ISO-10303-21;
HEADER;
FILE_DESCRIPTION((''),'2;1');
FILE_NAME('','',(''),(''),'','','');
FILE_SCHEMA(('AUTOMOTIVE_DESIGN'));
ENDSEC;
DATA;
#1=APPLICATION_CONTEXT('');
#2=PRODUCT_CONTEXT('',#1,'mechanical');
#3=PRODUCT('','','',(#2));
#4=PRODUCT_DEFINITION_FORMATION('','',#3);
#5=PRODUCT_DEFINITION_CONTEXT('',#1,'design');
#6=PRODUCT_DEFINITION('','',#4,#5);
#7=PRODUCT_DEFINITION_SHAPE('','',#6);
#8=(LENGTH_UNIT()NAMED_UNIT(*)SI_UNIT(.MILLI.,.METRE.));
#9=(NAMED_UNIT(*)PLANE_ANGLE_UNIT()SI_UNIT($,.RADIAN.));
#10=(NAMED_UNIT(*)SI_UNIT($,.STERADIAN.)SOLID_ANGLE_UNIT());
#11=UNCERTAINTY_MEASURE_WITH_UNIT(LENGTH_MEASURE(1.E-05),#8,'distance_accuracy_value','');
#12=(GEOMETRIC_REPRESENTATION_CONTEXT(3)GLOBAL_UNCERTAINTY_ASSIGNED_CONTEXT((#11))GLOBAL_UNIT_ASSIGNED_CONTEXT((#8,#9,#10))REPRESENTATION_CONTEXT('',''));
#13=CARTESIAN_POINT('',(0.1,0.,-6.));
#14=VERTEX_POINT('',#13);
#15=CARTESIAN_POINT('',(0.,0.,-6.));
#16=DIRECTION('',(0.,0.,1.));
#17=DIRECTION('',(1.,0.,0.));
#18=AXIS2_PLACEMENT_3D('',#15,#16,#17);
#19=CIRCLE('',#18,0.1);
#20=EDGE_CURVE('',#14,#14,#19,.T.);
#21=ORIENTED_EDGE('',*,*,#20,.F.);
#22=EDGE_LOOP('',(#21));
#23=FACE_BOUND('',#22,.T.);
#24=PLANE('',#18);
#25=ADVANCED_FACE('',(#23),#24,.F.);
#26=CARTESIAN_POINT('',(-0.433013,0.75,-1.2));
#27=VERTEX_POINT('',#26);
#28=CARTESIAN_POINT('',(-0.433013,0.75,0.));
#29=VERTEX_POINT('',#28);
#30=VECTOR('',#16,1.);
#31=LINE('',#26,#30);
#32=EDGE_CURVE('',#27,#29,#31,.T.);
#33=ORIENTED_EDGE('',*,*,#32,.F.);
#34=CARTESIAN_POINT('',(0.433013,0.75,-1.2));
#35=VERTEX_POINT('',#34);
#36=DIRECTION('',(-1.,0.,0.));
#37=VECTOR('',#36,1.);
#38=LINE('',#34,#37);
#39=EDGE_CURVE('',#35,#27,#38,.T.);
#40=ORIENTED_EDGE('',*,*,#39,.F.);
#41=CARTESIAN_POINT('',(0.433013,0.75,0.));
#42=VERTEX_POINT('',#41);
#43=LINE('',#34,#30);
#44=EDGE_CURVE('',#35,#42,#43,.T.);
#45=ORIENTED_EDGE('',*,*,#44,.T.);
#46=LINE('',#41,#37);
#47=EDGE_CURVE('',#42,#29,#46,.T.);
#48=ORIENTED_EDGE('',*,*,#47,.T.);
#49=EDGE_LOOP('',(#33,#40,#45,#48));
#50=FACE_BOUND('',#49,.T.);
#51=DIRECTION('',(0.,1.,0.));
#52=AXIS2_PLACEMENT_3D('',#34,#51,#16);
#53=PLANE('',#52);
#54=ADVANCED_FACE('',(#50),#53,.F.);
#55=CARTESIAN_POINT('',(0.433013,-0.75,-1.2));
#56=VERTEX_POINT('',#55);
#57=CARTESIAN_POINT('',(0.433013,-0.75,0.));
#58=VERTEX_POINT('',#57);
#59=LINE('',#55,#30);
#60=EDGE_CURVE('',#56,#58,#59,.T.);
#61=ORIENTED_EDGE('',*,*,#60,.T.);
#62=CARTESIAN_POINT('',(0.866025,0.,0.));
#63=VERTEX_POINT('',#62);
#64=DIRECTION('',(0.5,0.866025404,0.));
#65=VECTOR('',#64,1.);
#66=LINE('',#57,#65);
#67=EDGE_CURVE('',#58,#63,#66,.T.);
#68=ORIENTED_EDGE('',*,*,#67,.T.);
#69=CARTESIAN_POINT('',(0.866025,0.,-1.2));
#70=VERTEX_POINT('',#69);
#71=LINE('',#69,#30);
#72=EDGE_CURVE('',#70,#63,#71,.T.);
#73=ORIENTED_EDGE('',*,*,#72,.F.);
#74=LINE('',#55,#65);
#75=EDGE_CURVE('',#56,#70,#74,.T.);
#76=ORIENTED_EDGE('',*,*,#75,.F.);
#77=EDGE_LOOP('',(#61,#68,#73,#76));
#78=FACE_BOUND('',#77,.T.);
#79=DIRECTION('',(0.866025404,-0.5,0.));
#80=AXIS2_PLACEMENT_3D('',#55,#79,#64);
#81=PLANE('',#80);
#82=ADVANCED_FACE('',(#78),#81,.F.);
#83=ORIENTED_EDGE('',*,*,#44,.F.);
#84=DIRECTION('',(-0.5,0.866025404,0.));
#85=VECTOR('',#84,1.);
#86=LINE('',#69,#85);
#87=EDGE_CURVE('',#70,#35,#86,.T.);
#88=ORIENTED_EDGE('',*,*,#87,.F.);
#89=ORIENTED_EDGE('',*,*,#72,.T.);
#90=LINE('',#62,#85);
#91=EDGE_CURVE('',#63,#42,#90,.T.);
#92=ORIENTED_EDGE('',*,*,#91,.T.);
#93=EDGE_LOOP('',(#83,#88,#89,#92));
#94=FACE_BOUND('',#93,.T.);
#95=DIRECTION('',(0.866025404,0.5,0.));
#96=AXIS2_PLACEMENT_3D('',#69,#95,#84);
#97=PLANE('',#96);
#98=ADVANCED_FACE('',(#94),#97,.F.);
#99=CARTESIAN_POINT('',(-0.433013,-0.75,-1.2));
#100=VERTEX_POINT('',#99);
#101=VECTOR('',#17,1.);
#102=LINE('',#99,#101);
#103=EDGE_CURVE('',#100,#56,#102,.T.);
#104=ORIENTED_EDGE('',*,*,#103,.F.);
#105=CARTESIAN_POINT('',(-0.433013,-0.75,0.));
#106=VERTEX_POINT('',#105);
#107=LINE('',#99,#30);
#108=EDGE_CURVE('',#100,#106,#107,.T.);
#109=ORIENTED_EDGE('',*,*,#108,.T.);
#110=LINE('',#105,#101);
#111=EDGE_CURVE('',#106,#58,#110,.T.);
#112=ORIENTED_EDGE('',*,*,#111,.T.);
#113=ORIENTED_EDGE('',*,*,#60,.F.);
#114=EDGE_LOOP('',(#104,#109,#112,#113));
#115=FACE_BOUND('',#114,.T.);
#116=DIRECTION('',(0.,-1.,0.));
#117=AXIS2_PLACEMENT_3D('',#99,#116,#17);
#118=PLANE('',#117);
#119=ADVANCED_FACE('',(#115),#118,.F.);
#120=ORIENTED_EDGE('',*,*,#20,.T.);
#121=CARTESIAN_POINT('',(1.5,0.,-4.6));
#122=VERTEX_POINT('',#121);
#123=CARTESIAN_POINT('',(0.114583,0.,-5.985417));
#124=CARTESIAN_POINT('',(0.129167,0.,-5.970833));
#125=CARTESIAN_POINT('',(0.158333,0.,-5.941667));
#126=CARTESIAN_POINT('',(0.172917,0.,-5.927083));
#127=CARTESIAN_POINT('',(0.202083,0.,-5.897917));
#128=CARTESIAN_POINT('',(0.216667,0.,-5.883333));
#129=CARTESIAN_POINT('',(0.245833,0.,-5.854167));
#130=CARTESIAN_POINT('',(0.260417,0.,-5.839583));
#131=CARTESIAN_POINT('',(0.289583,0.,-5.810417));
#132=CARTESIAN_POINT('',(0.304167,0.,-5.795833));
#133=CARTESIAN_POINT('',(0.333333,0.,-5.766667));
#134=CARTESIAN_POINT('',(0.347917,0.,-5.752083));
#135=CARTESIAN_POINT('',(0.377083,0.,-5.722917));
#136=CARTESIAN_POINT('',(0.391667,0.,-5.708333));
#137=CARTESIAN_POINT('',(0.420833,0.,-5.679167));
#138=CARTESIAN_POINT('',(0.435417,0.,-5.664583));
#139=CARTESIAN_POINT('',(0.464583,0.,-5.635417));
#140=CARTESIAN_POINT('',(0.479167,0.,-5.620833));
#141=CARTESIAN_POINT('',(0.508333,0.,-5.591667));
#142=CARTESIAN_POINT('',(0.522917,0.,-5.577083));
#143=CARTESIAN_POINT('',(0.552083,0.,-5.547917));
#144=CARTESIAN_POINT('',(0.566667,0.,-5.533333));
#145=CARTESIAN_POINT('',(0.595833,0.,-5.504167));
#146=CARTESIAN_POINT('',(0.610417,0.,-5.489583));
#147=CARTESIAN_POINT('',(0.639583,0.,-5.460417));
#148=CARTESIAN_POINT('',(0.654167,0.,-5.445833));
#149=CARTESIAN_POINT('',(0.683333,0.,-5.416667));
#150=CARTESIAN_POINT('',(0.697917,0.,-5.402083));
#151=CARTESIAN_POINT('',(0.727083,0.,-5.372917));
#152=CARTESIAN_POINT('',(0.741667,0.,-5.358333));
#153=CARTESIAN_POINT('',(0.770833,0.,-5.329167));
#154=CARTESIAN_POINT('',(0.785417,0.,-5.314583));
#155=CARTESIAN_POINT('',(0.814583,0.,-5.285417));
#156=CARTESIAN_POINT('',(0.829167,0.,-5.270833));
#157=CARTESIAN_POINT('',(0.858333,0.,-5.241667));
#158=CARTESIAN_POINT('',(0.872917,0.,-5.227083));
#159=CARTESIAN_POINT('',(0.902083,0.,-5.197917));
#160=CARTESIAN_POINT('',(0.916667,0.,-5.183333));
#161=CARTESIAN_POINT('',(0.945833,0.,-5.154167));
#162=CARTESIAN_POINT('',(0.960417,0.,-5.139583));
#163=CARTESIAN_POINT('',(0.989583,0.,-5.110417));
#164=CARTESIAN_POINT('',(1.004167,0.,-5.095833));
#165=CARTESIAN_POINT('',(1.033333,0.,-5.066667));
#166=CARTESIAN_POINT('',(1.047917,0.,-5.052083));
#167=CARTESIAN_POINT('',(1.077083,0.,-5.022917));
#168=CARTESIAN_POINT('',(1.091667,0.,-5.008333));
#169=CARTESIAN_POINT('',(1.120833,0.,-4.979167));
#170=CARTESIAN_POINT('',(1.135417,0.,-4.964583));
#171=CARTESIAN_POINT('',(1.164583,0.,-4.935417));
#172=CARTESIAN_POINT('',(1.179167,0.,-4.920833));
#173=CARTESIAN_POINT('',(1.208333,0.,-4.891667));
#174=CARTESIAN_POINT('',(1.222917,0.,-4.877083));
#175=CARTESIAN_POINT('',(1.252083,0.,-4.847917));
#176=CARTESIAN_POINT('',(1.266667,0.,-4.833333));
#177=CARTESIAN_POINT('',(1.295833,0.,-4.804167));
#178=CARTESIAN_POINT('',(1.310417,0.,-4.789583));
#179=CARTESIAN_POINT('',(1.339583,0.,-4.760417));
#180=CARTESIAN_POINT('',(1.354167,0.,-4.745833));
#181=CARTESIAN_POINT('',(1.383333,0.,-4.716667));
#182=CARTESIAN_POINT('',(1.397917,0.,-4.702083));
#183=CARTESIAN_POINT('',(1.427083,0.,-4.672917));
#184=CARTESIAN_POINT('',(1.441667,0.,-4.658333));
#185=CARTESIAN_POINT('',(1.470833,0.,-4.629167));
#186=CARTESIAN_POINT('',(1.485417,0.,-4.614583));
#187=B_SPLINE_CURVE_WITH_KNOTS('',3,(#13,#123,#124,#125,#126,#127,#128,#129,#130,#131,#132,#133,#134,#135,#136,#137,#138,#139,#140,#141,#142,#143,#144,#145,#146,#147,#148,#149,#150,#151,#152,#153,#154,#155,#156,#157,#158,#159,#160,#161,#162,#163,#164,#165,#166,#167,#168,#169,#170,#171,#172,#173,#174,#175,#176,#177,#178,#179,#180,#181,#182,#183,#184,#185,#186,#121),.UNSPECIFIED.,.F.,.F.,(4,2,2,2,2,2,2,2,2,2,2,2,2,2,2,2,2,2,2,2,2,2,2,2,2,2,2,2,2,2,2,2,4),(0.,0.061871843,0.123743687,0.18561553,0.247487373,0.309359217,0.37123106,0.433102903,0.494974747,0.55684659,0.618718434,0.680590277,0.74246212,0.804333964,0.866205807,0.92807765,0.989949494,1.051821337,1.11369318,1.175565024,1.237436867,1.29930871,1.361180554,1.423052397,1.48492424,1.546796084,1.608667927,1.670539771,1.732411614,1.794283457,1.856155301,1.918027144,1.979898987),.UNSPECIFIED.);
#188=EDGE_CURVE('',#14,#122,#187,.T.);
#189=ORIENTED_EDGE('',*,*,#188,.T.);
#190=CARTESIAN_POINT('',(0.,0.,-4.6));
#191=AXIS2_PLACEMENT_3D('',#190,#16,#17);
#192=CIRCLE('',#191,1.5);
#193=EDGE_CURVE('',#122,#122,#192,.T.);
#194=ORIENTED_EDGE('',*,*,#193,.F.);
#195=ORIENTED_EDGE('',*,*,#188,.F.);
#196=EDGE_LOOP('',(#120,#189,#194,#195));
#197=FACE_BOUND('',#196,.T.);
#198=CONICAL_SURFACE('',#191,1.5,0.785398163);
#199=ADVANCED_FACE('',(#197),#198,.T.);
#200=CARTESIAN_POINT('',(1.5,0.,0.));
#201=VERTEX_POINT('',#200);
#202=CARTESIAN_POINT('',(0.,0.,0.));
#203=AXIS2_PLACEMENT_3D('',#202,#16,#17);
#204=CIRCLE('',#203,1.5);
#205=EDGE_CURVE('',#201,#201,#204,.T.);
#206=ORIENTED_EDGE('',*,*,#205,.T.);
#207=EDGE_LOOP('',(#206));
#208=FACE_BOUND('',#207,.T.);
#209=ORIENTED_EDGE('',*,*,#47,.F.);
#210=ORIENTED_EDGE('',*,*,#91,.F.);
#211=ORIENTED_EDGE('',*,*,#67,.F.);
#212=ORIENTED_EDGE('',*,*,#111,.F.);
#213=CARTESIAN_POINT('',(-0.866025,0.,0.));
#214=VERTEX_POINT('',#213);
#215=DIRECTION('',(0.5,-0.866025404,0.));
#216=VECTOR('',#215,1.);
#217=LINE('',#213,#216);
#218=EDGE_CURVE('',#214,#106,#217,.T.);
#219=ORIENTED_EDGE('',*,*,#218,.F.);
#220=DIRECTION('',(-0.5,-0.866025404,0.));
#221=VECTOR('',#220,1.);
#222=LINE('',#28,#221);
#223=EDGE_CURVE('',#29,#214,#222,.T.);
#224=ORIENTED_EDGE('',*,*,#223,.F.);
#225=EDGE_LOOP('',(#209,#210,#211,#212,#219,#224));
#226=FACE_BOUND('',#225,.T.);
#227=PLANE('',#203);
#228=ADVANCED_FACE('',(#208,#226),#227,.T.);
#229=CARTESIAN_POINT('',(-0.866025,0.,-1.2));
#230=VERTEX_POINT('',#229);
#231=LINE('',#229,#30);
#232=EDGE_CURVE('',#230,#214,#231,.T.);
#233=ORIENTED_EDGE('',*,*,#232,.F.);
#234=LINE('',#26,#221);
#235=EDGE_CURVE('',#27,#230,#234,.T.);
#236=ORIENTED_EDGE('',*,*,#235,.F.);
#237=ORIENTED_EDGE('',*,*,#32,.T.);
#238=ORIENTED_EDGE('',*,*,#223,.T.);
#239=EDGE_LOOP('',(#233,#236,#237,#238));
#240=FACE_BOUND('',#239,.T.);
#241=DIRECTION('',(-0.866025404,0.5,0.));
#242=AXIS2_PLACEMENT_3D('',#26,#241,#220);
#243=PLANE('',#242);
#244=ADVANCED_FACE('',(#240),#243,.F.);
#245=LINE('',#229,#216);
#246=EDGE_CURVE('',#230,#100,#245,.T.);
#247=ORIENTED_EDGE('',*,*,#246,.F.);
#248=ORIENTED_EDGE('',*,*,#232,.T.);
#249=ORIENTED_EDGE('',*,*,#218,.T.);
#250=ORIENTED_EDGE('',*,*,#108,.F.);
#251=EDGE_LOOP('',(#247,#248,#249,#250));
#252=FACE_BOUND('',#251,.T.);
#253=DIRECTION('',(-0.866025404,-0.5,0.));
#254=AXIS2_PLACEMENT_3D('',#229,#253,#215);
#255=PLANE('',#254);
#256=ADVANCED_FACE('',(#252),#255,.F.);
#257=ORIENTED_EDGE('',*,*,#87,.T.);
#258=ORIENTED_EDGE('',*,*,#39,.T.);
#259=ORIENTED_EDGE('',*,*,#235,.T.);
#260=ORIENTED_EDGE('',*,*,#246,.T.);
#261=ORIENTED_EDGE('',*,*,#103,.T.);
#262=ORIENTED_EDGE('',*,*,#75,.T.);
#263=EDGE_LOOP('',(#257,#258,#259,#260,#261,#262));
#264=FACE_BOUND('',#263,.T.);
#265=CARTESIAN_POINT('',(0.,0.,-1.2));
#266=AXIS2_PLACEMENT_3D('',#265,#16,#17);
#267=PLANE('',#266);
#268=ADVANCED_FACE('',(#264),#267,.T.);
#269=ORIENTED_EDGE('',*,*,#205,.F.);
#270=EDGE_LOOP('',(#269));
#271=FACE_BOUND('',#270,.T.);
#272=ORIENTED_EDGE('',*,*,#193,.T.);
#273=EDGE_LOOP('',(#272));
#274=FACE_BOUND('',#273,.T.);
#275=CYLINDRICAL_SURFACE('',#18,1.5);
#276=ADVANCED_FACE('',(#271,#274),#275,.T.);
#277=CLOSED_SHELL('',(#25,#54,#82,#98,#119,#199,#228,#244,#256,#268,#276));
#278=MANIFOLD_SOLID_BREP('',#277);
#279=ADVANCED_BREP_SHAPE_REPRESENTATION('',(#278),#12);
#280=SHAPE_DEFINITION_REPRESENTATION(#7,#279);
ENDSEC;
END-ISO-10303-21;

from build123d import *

# Parameters (mm, degrees)
SKETCH1_R           = 1.5
BOSS_EXTRUDE1_DEPTH = 6
CUT_EXTRUDE1_DEPTH  = 1.2


with BuildPart() as part:
    # Sketch1 → Boss-Extrude1 (new body)
    with BuildSketch(Plane.XY):
        Circle(SKETCH1_R)
    extrude(amount=-BOSS_EXTRUDE1_DEPTH)

    # Sketch2 → Cut-Extrude1 (cut)
    with BuildSketch(Plane.XY):
        Polygon((0.866025404, 0), (0.433012702, 0.75), (-0.433012702, 0.75), (-0.866025404, 0), (-0.433012702, -0.75), (0.433012702, -0.75), align=None)
    extrude(amount=-CUT_EXTRUDE1_DEPTH, mode=Mode.SUBTRACT)

    # Sketch3 → Chamfer 2 (revolve, cut)
    with BuildSketch(Plane(origin=(0, 0, 0), x_dir=(0, 0, -1), z_dir=(1, 0, 0)), mode=Mode.PRIVATE) as chamfer_2_sk:
        Polygon((6, 1.5), (6, 0.1), (4.6, 1.5), align=None)
    revolve(chamfer_2_sk.sketch.rotate(Axis((0, 0, 0), (0, 0, -1)), 90), axis=Axis((0, 0, 0), (0, 0, -1)), mode=Mode.SUBTRACT)


solid = part.part
